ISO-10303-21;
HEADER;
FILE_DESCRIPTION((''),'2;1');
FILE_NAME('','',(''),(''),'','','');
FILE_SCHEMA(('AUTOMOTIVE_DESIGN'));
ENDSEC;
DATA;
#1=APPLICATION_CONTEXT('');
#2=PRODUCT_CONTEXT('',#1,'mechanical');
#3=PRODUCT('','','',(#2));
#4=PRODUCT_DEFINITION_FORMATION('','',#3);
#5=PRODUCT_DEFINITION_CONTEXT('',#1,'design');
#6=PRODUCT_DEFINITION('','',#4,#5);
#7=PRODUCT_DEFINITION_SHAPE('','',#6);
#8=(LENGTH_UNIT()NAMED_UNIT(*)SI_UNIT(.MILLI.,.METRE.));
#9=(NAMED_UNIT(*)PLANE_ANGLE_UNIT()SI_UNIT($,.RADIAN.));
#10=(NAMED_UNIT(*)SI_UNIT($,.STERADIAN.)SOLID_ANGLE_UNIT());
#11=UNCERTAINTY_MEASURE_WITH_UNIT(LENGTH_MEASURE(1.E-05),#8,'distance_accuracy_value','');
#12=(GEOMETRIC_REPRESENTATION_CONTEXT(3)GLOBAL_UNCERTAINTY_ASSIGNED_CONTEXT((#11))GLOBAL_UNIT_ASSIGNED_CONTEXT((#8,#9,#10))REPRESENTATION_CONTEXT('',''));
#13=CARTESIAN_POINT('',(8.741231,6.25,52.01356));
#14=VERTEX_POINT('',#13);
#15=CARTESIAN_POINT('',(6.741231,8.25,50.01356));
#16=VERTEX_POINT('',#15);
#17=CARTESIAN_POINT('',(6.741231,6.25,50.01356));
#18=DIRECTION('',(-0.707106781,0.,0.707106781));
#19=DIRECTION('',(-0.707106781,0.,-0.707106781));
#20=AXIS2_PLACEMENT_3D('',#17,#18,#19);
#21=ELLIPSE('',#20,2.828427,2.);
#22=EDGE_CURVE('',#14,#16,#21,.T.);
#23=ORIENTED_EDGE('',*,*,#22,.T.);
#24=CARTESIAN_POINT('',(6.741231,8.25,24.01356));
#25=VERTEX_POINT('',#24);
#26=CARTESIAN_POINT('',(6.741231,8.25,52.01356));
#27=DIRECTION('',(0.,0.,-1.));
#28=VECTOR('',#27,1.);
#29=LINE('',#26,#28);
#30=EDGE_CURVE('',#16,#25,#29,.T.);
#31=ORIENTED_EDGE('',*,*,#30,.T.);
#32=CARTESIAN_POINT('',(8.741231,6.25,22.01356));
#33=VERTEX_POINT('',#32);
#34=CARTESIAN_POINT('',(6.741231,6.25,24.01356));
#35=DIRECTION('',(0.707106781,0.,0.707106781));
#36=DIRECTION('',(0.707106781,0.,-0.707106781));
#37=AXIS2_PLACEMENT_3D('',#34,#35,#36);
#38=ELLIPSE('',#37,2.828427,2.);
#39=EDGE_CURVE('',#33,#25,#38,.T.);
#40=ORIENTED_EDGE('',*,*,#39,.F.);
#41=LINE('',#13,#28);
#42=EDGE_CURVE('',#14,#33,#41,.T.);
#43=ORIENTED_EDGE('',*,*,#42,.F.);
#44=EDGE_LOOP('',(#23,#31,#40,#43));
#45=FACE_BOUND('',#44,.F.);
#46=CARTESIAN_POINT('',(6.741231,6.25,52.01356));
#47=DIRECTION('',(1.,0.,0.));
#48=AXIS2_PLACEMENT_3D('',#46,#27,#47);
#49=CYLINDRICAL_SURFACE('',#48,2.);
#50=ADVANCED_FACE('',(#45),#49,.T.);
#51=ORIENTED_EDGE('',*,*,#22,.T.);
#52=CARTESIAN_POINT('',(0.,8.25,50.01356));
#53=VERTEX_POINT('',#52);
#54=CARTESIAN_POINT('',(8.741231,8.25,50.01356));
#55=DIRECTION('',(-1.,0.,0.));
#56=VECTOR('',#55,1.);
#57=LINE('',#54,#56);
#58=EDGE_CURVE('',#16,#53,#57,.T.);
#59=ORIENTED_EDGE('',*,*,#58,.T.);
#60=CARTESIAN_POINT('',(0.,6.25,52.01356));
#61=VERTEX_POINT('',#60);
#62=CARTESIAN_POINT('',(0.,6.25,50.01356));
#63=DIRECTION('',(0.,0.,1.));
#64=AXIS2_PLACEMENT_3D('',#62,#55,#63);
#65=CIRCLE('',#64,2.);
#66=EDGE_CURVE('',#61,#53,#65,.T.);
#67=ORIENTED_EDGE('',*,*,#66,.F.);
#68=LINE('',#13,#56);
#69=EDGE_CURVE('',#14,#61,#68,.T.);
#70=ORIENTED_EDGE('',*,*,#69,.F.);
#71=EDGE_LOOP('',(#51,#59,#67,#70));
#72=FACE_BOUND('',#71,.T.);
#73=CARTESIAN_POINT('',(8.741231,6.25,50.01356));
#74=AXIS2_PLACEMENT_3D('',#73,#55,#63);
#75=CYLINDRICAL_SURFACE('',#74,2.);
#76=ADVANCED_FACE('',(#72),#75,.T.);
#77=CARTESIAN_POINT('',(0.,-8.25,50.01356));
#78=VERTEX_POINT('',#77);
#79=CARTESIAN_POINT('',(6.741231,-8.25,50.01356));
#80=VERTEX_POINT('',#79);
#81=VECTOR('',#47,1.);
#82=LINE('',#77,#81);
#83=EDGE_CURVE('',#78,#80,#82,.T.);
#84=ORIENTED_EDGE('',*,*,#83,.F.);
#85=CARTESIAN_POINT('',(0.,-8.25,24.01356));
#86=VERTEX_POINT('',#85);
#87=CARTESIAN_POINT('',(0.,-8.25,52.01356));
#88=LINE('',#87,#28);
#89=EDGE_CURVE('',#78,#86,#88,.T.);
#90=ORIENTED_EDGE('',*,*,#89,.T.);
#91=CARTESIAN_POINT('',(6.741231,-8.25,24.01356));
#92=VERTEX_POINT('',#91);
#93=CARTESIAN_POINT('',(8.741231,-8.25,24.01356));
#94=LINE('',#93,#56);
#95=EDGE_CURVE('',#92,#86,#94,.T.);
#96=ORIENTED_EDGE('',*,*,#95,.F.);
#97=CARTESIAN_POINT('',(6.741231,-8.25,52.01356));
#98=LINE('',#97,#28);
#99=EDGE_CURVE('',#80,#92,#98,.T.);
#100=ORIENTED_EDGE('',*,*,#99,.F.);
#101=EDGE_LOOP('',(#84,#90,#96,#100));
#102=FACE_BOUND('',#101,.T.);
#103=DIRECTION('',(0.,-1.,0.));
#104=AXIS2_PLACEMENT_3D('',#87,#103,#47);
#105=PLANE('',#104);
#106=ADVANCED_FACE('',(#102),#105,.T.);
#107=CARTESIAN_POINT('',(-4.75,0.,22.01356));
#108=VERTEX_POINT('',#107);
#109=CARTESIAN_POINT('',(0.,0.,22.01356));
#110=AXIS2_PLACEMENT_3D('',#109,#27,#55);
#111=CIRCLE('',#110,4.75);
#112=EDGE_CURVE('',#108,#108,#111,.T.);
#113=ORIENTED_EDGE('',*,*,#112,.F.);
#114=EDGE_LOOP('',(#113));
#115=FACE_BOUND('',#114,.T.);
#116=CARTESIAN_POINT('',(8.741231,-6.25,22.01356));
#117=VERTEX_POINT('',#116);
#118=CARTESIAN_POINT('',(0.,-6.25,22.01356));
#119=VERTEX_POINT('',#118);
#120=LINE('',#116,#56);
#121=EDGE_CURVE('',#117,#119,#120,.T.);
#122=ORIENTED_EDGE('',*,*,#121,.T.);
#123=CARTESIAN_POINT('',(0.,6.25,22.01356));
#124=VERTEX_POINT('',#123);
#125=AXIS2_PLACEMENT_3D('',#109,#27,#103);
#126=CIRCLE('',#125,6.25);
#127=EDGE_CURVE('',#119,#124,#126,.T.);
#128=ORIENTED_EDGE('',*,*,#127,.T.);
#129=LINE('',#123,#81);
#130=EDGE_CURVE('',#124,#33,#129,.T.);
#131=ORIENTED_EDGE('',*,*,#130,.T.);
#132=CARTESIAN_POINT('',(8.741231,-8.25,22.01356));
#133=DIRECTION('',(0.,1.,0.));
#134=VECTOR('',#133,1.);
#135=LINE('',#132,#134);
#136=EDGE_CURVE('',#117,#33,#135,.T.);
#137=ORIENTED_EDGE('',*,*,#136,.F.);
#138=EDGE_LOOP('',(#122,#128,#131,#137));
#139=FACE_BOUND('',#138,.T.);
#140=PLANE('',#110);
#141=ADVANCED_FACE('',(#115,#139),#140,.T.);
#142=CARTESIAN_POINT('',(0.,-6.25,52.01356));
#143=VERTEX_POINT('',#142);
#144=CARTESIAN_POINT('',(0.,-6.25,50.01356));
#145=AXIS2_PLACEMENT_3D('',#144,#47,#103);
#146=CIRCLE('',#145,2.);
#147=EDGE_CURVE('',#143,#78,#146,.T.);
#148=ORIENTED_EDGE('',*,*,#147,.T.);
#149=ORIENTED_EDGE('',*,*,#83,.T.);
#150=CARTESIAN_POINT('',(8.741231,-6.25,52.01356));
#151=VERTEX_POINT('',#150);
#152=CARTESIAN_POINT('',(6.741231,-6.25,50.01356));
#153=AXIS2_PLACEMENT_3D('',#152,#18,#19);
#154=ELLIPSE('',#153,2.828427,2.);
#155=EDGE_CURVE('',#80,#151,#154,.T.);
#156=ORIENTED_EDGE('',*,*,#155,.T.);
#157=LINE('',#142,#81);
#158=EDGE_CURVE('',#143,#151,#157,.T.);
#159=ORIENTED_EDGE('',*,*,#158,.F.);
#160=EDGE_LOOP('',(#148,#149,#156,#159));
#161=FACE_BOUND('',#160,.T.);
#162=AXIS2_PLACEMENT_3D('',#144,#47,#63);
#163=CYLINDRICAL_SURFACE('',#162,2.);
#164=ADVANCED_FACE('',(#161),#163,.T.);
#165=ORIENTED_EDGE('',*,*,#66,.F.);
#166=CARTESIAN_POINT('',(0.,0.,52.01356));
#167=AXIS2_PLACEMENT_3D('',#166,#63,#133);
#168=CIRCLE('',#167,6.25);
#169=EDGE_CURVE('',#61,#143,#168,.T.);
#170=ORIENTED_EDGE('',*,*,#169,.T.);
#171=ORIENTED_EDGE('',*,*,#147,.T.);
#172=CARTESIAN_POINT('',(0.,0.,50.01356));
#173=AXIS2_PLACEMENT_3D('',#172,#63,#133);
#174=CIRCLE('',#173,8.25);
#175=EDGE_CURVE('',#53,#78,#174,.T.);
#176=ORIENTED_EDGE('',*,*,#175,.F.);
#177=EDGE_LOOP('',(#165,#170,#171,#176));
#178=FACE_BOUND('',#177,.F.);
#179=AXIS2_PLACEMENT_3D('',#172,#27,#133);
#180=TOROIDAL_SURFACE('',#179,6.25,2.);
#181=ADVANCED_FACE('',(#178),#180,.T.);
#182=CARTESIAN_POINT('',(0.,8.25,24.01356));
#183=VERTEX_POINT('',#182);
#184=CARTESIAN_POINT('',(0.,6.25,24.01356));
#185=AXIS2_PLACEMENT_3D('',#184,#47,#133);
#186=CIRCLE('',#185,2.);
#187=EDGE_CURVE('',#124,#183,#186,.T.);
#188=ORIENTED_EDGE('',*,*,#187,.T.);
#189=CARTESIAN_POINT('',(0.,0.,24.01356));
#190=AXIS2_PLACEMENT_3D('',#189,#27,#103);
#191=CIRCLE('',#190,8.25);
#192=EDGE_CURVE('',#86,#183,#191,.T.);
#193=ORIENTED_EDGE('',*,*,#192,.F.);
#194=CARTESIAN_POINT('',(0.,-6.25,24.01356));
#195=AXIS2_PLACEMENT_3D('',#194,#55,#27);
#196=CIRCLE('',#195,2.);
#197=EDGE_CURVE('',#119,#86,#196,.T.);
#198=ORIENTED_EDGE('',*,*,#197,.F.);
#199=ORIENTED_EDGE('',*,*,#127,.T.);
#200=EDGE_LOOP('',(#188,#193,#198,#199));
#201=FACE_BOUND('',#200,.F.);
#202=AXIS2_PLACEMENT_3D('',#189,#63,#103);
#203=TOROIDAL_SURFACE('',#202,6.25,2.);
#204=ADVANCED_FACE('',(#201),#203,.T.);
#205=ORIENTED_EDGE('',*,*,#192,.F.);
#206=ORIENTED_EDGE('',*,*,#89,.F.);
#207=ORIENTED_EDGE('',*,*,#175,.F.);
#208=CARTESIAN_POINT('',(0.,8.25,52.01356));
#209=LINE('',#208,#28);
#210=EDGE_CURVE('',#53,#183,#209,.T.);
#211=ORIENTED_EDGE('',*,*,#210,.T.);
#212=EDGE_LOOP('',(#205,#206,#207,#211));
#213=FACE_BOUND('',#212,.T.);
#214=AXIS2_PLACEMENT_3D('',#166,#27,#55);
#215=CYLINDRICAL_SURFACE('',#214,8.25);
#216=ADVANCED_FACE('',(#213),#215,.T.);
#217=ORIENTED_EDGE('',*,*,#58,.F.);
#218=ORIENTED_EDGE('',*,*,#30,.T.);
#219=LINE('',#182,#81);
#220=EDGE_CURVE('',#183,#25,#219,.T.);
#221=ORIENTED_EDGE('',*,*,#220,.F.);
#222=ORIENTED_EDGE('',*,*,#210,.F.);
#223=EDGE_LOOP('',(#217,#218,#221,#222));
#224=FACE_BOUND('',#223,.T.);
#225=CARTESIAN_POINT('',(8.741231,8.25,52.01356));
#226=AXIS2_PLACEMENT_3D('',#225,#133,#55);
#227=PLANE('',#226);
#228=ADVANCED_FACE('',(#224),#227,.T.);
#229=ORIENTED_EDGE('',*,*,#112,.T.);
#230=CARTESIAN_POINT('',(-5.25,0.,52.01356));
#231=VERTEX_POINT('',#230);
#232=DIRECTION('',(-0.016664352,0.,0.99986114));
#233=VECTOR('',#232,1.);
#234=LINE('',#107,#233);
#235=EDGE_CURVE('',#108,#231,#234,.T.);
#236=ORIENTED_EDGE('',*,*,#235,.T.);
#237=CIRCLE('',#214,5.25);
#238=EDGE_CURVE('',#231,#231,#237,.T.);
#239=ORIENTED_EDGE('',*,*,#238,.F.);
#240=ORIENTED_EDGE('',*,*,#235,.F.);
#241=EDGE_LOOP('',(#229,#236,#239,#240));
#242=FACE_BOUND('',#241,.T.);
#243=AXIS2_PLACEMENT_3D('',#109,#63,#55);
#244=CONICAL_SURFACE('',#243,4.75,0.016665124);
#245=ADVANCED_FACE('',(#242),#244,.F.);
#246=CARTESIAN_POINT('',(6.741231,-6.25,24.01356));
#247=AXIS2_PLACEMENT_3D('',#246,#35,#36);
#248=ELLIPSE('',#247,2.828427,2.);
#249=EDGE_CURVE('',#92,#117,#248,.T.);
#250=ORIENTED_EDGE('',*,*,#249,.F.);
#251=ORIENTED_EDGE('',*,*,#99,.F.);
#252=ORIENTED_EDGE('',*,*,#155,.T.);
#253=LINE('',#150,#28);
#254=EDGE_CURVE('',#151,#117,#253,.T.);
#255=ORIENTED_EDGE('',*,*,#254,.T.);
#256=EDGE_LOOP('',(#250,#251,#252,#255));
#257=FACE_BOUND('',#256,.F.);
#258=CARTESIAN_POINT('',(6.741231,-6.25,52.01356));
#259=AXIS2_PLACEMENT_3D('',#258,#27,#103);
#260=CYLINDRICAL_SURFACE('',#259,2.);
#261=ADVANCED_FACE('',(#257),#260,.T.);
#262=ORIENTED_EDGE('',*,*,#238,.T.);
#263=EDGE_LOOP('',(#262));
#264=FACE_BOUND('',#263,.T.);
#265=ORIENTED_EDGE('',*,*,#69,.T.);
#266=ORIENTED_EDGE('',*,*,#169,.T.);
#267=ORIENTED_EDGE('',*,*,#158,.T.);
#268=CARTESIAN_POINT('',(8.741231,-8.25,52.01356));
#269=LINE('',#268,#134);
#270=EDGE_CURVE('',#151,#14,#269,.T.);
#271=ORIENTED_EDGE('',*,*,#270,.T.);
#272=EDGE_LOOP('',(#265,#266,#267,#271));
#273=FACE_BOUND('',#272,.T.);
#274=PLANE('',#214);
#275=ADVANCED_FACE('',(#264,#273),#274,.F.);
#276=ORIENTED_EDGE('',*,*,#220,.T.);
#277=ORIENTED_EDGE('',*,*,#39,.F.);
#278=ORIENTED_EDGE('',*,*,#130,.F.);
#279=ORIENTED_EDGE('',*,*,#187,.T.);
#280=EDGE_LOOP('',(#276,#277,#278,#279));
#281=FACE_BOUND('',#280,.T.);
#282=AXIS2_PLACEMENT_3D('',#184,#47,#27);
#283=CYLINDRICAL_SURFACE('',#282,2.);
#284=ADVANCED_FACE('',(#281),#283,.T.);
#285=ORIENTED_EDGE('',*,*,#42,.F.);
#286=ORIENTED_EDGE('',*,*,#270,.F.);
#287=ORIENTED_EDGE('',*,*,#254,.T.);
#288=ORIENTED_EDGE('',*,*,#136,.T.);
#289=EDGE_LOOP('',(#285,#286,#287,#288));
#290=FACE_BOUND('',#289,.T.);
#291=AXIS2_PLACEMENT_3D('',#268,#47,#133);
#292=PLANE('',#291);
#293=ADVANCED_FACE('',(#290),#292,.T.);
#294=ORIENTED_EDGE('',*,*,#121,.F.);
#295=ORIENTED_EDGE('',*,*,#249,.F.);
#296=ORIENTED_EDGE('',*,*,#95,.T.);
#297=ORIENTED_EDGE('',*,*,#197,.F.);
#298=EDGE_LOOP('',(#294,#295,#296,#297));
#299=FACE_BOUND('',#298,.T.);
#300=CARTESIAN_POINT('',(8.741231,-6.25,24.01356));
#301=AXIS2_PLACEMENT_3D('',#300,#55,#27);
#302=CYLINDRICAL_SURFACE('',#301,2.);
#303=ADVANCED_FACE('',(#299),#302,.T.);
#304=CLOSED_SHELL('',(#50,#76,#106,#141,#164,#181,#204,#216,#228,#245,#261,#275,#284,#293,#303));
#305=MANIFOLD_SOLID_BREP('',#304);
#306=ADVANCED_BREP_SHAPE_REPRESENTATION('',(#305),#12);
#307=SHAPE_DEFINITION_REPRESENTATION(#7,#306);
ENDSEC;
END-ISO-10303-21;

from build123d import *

# Parameters (mm, degrees)
F2_W     = 5.4314797744
F2_H     = 2.6976783276
F2_W_2   = 3.3097509295
F2_H_2   = 11.1936684698
F2_H_3   = 2.6086532027
F3_DEPTH = 30
F4_R     = 2


with BuildPart() as f1:
    # F0 (on Front) → F1 (revolve)
    with BuildSketch(Plane.XZ):
        Polygon((-4.75, 22.0135599375), (-5.25, 52.0135599375), (-8.25, 52.0135599375), (-8.25, 22.0135599375), align=None)
    revolve(axis=Axis((0, 0, 37.0135599375), (0, 0, -1)))

    # F2 (on face) → F3 (join)
    with BuildSketch(Plane.XY.offset(52.0135599375)):
        with Locations((2.7157398872, 6.9011608362)):
            Rectangle(F2_W, F2_H)
        with Locations((7.0863552392, 6.9011608362)):
            Rectangle(F2_W_2, F2_H)
        with Locations((7.0863552392, -0.0445125625)):
            Rectangle(F2_W_2, F2_H_2)
        with Locations((2.7157398872, -6.9456733987)):
            Rectangle(F2_W, F2_H_3)
        with Locations((7.0863552392, -6.9456733987)):
            Rectangle(F2_W_2, F2_H_3)
    extrude(amount=-F3_DEPTH)

    # F4
    f4_edges = [f1.edges().sort_by_distance(p)[0] for p in [
        (8.741231, -8.25, 37.01356),
        (8.741231, 8.25, 37.01356),
        (4.370615, -8.25, 52.01356),
        (-8.25, 0, 22.01356),
    ]]
    fillet(f4_edges, radius=F4_R)


solid = f1.part
